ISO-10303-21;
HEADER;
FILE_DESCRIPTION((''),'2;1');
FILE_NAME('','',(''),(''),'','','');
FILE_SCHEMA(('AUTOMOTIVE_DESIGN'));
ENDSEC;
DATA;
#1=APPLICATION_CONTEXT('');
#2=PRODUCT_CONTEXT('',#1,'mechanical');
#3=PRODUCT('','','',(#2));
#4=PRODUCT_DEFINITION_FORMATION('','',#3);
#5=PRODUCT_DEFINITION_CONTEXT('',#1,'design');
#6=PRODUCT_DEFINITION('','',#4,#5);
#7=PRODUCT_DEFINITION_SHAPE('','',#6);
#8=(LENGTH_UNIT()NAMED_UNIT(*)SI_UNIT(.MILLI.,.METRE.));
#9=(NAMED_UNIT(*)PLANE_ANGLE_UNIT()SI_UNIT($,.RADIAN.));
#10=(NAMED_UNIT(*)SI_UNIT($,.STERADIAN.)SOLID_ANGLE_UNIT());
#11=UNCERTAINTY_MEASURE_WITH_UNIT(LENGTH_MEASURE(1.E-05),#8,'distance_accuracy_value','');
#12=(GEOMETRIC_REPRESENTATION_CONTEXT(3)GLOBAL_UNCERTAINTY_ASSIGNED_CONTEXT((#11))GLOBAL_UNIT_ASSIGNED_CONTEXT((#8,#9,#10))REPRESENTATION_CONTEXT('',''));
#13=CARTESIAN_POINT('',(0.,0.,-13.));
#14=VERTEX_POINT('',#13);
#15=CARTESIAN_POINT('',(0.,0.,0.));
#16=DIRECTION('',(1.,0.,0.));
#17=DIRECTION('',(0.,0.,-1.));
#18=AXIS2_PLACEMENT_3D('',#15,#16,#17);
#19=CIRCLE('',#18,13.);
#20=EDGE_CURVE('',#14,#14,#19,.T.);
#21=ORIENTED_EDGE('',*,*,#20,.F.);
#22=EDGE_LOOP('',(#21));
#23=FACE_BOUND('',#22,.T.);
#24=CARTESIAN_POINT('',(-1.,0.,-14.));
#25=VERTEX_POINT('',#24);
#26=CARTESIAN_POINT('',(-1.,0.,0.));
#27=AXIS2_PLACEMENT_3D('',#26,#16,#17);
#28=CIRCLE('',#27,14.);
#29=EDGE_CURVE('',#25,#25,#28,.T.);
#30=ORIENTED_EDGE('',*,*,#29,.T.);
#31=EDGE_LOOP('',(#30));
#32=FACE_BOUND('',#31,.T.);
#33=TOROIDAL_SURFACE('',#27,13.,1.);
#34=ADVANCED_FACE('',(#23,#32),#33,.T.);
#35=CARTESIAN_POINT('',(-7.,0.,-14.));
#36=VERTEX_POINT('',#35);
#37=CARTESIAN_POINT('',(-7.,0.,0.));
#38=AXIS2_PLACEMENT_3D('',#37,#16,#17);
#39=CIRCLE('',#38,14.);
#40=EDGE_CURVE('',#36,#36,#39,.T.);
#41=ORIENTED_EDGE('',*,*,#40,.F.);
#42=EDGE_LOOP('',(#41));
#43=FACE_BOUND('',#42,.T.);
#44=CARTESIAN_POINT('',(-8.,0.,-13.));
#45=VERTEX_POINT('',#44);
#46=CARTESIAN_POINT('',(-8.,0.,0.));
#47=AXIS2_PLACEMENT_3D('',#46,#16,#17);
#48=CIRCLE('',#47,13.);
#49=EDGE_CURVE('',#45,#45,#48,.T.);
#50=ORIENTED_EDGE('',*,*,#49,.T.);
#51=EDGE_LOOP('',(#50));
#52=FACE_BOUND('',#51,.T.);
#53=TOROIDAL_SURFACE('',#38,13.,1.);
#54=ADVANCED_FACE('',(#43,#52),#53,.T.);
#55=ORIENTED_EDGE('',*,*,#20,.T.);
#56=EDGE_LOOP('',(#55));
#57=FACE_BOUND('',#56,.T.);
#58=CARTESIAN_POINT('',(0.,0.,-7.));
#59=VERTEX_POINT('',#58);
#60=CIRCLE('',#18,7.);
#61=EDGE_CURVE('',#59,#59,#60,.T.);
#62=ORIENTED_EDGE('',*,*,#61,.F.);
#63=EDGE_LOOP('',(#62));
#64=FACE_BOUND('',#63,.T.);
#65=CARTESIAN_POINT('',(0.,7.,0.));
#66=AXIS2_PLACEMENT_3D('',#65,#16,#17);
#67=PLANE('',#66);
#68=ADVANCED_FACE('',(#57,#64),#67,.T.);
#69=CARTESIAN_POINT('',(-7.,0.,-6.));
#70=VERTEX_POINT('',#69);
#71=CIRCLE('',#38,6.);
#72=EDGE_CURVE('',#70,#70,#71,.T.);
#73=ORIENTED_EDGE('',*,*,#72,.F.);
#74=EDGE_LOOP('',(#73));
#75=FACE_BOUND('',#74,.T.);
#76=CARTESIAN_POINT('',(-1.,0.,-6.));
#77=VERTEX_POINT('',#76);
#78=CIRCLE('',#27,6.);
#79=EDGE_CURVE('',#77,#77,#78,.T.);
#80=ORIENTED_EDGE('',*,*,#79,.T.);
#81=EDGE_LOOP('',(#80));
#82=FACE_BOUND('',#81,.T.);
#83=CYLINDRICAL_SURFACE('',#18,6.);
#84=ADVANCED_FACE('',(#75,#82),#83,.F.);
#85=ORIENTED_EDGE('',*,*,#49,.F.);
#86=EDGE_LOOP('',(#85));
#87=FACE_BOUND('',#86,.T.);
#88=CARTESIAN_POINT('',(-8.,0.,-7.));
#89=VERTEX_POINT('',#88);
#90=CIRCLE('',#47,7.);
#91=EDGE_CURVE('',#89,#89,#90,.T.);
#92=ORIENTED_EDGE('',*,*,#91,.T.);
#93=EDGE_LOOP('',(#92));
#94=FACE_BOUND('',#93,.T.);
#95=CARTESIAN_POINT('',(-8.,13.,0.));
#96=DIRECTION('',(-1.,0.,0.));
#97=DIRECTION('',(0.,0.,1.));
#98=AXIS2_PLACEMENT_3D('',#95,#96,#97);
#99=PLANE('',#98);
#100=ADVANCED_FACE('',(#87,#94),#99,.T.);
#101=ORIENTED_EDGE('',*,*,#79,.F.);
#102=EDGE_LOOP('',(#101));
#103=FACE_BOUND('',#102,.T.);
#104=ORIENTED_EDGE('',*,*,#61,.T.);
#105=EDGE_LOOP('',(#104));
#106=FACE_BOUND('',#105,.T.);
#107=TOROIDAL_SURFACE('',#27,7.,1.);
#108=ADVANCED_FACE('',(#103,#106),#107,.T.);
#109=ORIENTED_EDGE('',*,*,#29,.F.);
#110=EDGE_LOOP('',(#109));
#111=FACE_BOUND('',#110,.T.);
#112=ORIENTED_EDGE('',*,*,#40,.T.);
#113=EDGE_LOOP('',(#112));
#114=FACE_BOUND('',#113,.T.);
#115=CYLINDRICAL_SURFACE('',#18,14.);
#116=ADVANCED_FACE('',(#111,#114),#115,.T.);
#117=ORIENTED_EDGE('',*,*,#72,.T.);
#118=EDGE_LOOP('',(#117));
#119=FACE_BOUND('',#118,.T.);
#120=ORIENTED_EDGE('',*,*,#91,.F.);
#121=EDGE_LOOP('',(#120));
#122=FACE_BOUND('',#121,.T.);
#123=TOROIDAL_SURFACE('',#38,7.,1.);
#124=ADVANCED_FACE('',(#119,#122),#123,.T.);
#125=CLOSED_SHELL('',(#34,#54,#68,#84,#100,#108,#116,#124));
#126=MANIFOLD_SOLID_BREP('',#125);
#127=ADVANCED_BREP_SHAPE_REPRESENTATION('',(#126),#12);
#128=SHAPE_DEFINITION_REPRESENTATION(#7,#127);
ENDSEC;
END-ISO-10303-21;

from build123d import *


with BuildPart() as part:
    # Эскиз1 → Повернуть1 (revolve)
    with BuildSketch(Plane.XY):
        with BuildLine():
            Line((0, 7), (0, 13))
            ThreePointArc((0, 13), (-0.292893219, 13.707106781), (-1, 14))
            Line((-1, 14), (-7, 14))
            ThreePointArc((-7, 14), (-7.707106781, 13.707106781), (-8, 13))
            Line((-8, 13), (-8, 7))
            ThreePointArc((-8, 7), (-7.707106781, 6.292893219), (-7, 6))
            Line((-7, 6), (-1, 6))
            ThreePointArc((-1, 6), (-0.292893219, 6.292893219), (0, 7))
        make_face()
    revolve(axis=Axis((0, 0, 0), (-1, 0, 0)))


solid = part.part
